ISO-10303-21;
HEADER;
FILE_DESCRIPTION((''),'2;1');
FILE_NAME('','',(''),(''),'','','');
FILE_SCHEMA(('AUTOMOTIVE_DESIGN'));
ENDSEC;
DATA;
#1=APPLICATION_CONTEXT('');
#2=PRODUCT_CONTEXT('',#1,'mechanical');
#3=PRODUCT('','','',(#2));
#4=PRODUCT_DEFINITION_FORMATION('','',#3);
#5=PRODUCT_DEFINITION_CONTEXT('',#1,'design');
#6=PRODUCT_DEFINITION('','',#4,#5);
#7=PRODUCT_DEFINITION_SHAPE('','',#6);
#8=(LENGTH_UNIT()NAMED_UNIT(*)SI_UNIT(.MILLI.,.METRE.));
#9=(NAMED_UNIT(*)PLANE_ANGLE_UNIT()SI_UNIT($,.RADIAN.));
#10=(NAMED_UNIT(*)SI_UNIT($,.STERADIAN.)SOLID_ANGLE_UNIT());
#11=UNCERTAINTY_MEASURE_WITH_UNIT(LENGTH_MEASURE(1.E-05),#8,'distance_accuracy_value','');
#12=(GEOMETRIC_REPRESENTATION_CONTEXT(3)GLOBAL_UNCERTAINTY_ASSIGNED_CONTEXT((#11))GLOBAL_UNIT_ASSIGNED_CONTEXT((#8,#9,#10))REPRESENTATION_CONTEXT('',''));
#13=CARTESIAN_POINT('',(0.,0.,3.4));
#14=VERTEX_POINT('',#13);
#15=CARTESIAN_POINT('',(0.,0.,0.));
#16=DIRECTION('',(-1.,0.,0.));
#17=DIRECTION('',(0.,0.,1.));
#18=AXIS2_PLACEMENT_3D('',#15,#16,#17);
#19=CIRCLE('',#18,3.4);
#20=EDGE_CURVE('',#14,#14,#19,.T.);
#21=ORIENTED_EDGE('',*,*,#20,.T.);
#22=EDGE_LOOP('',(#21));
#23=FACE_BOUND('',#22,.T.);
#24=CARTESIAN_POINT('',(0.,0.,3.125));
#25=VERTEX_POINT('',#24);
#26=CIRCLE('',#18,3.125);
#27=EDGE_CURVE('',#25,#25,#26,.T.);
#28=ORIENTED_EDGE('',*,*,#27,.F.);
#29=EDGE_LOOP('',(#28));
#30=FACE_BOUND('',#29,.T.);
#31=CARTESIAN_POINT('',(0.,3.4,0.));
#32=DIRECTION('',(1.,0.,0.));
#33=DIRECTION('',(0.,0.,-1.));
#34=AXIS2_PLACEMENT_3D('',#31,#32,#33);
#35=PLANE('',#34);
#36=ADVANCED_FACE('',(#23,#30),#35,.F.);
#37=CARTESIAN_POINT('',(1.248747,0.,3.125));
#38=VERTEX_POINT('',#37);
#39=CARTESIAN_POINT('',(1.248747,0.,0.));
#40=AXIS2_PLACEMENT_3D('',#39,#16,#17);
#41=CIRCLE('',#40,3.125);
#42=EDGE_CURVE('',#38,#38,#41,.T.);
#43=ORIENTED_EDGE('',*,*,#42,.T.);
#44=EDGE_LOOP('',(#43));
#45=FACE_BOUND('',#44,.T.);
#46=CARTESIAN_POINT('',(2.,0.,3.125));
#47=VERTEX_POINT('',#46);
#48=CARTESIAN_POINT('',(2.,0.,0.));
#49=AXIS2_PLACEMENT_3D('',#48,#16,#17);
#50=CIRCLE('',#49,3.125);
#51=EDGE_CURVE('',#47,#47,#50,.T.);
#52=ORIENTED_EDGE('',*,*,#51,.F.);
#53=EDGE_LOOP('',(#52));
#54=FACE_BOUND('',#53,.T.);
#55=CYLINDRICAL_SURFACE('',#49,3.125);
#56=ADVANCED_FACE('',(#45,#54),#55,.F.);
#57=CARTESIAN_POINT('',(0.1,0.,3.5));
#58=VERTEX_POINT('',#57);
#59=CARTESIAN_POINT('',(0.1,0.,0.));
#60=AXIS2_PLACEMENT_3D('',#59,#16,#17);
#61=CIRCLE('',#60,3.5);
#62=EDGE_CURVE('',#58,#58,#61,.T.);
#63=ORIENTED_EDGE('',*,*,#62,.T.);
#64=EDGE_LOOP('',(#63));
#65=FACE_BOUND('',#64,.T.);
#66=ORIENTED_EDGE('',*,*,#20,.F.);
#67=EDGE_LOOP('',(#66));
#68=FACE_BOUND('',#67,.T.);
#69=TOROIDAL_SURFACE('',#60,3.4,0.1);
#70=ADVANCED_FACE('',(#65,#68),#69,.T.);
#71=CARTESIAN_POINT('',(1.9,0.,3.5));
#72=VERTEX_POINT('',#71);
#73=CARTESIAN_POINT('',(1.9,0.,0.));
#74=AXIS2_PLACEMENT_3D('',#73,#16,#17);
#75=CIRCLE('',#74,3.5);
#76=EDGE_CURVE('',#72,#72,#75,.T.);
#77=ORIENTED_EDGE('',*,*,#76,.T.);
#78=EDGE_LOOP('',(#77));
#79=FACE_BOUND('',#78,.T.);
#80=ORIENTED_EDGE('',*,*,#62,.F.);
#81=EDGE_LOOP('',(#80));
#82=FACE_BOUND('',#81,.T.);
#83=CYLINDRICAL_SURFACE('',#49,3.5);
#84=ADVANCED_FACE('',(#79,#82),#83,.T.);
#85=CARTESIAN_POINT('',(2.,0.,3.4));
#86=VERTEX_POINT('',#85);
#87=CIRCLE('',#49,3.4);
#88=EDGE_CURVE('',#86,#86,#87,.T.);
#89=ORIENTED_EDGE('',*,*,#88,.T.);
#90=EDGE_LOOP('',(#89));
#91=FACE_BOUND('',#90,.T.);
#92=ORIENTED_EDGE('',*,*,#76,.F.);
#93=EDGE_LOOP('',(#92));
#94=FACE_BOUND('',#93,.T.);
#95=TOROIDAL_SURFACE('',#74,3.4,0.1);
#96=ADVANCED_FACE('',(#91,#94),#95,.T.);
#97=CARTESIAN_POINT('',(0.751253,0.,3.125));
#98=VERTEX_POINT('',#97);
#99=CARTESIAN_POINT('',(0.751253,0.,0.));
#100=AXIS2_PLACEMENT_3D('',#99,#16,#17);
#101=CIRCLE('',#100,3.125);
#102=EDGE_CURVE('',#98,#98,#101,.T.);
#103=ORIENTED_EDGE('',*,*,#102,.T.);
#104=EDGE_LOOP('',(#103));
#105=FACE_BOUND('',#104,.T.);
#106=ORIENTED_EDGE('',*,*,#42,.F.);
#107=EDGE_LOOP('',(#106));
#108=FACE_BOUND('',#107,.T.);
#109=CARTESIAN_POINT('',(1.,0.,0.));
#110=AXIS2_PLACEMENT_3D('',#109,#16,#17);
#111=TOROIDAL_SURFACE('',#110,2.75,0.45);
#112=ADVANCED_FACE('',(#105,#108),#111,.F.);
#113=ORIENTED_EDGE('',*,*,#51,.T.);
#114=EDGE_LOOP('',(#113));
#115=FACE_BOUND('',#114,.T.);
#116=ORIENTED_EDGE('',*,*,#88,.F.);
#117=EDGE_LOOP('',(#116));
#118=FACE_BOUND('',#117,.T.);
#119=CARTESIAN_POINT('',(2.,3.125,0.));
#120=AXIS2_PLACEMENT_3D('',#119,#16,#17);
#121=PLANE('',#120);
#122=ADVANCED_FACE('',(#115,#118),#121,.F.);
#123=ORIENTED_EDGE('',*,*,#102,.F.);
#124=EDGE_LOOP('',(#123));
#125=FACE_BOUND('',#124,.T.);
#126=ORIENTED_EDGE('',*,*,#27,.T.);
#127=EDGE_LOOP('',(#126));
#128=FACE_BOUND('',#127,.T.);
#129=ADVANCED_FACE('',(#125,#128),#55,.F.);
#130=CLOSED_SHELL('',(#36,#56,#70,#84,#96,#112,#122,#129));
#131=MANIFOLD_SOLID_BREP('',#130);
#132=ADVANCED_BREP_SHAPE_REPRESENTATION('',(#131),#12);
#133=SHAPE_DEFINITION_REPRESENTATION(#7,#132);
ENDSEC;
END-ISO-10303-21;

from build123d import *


with BuildPart() as part:
    # Sketch1 → Revolve1 (revolve)
    with BuildSketch(Plane.XY):
        with BuildLine():
            Line((0, 3.4), (0, 3.125))
            Line((0, 3.125), (0.751253141, 3.125))
            ThreePointArc((0.751253141, 3.125), (1, 3.2), (1.248746859, 3.125))
            Line((1.248746859, 3.125), (2, 3.125))
            Line((2, 3.125), (2, 3.4))
            ThreePointArc((2, 3.4), (1.970710678, 3.470710678), (1.9, 3.5))
            Line((1.9, 3.5), (0.1, 3.5))
            ThreePointArc((0.1, 3.5), (0.029289322, 3.470710678), (0, 3.4))
        make_face()
    revolve(axis=Axis((2, 0, 0), (-1, 0, 0)))


solid = part.part
